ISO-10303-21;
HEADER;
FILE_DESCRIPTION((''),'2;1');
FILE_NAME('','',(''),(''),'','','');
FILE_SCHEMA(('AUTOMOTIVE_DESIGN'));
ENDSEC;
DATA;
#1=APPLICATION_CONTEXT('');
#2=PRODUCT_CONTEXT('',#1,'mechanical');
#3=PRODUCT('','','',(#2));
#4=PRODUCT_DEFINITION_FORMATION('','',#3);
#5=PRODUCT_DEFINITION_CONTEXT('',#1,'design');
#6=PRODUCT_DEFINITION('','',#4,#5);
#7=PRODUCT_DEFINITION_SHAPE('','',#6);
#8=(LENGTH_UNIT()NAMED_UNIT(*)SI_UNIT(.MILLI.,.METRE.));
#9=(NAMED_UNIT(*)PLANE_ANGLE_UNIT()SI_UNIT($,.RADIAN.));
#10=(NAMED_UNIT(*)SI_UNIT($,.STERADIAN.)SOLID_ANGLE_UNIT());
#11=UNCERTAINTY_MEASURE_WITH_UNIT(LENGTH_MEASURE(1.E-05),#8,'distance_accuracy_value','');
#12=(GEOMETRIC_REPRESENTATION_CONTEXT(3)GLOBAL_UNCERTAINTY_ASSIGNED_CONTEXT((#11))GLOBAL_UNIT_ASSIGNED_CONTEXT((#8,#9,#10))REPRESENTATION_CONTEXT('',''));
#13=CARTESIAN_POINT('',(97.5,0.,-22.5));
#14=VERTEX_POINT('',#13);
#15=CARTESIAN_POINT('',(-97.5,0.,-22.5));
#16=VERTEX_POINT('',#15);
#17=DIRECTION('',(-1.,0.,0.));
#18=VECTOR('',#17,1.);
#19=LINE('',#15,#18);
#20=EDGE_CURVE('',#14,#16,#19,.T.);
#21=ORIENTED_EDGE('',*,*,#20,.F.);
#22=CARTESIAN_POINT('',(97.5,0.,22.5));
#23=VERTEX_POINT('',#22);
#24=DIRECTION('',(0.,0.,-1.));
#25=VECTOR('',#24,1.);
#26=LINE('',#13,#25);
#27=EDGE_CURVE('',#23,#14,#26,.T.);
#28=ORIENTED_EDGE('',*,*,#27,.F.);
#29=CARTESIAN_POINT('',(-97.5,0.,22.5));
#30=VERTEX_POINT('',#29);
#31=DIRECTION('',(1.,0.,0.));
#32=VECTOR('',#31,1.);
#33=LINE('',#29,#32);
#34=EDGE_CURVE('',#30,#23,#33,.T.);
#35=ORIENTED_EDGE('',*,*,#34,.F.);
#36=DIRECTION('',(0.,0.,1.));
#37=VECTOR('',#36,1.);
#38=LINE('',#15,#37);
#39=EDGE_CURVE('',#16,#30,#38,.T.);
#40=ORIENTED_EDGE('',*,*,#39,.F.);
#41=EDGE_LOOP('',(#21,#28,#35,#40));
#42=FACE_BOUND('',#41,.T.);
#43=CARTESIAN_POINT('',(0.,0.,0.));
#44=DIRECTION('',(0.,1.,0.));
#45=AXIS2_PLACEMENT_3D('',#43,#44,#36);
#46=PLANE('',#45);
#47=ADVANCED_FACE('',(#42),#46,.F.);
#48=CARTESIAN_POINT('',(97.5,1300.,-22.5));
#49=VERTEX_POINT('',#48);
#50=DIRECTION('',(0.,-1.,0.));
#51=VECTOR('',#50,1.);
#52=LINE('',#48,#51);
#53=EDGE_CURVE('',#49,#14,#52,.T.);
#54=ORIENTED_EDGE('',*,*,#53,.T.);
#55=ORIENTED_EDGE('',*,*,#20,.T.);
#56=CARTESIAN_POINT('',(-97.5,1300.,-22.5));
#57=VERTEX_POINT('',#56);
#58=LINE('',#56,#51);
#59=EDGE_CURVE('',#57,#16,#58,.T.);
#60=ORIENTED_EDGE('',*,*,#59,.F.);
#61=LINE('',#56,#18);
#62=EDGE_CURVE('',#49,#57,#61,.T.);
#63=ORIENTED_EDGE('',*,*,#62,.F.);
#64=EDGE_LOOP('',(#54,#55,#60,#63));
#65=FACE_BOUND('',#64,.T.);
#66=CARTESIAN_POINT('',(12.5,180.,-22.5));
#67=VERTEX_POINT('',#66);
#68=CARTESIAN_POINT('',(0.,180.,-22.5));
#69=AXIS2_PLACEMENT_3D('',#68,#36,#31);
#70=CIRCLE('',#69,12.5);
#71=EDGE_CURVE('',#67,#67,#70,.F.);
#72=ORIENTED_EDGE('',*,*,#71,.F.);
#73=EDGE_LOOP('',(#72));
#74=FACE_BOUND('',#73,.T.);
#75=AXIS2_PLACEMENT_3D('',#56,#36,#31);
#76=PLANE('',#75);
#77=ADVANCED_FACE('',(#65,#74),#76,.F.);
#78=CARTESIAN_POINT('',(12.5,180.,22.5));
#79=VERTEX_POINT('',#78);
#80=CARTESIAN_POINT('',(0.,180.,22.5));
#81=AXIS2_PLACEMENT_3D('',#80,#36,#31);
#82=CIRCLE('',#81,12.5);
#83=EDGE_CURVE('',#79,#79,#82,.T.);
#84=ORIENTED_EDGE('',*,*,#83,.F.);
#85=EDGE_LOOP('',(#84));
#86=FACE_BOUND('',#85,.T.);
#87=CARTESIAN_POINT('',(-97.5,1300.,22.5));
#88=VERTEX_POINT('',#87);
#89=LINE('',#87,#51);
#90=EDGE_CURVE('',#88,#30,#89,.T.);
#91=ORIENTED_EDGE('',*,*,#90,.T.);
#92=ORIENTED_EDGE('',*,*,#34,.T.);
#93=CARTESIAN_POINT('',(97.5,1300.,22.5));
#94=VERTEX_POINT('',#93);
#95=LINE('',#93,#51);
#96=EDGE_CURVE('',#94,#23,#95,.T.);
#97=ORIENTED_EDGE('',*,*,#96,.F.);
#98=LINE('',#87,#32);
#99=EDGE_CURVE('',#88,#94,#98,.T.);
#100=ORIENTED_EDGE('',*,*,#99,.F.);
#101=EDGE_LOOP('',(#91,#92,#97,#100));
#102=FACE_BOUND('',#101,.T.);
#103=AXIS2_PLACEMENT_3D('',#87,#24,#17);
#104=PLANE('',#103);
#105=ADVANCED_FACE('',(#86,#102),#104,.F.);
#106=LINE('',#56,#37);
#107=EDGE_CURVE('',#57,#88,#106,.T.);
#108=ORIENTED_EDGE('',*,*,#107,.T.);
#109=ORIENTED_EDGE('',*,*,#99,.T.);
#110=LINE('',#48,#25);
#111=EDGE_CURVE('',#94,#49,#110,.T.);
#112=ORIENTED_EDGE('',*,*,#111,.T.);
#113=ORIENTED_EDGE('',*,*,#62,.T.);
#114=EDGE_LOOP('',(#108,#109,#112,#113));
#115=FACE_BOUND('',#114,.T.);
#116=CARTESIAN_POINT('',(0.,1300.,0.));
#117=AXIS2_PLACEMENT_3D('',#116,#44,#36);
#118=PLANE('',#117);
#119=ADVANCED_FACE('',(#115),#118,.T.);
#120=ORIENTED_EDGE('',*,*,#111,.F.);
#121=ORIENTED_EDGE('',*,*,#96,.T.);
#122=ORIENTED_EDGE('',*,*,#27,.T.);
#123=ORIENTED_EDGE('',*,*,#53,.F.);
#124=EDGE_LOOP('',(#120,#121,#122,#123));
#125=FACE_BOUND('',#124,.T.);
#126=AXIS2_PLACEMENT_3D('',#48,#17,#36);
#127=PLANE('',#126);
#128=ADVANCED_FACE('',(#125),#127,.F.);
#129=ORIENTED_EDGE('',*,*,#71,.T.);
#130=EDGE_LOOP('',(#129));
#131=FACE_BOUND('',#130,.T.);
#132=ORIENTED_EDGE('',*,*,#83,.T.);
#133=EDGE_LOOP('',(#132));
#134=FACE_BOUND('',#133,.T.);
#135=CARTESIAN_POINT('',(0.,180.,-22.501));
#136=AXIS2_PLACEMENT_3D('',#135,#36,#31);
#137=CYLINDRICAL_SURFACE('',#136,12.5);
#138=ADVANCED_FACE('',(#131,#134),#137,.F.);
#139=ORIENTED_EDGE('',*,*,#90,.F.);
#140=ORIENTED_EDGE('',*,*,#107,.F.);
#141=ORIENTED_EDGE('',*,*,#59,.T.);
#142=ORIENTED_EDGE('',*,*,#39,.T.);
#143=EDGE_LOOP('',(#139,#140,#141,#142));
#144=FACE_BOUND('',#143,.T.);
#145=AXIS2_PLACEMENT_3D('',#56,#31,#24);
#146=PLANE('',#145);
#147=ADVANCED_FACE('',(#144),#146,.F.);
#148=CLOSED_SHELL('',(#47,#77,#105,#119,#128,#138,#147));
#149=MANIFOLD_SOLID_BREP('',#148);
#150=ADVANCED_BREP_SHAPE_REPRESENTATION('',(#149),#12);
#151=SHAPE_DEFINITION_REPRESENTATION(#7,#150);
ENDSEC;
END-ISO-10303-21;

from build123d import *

# Parameters (mm, degrees)
SKETCH1_W          = 195
SKETCH1_H          = 45
SHAPE_DEPTH        = 1300
CUT_EXTRUDE1_REACH = 47
SKETCH2_R          = 12.5


with BuildPart() as part:
    # Sketch1 → Shape (new body)
    with BuildSketch(Plane(origin=(0, 0, 0), x_dir=(1, 0, 0), z_dir=(0, 1, 0))):
        Rectangle(SKETCH1_W, SKETCH1_H)
    extrude(amount=SHAPE_DEPTH)

    # Sketch2 → Cut-Extrude1 (cut, up to next)
    with BuildSketch(Plane.XY.offset(22.5), mode=Mode.PRIVATE) as cut_extrude1_sk1:
        with Locations((0, 180)):
            Circle(SKETCH2_R)
    cut_extrude1_tool1 = extrude(cut_extrude1_sk1.sketch, amount=-CUT_EXTRUDE1_REACH, mode=Mode.PRIVATE) & part.part
    add(cut_extrude1_tool1.solids().sort_by_distance((0, 180, 22.5))[0], mode=Mode.SUBTRACT)


solid = part.part
